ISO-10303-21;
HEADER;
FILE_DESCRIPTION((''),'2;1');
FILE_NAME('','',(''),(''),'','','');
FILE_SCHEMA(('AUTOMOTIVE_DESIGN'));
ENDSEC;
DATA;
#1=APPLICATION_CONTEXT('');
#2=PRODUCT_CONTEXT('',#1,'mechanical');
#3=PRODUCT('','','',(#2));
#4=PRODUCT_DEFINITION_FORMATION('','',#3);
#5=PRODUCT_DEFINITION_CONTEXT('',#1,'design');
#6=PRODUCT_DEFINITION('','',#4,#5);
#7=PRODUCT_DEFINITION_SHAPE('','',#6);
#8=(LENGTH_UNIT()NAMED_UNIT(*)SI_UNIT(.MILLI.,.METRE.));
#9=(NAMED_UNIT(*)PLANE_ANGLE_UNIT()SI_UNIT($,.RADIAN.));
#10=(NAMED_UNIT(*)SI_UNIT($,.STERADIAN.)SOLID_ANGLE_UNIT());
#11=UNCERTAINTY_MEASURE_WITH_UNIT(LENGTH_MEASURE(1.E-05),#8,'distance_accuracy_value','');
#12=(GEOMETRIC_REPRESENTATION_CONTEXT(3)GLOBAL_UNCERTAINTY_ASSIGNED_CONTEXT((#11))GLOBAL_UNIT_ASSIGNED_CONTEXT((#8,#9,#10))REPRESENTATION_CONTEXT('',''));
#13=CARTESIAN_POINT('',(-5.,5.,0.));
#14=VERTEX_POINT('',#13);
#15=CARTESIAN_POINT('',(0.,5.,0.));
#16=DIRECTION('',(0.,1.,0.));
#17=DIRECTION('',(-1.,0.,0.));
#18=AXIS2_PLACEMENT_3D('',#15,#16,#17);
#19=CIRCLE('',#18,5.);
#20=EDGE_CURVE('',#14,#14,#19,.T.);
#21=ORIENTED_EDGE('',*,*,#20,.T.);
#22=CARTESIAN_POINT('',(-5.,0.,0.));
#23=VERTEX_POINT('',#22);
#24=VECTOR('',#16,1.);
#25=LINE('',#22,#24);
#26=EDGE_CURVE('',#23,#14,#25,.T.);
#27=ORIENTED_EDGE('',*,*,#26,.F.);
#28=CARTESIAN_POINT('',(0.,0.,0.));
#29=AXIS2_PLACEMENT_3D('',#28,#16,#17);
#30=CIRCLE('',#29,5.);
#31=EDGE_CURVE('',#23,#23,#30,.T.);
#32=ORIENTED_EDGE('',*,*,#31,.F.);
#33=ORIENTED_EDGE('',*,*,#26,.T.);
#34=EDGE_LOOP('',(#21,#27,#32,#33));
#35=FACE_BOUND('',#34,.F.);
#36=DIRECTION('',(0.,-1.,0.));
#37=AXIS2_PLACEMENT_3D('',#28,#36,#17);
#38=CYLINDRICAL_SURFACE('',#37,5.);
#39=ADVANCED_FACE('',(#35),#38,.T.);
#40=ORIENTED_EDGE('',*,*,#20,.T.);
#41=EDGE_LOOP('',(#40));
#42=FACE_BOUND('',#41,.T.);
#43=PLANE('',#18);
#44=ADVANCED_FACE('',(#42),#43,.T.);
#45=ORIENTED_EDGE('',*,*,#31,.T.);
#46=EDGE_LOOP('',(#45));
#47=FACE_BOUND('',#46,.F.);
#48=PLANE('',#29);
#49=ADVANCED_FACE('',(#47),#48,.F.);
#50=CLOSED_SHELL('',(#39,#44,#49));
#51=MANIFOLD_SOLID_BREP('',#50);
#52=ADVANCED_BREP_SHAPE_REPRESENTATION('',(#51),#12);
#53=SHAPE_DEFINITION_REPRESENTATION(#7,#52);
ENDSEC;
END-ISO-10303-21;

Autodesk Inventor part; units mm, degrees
ref_plane "YZ Plane" through (0, 0, 0) normal (1, 0, 0) x (0, 1, 0)
ref_plane "XZ Plane" through (0, 0, 0) normal (0, 1, 0) x (-1, 0, 0)
ref_plane "XY Plane" through (0, 0, 0) normal (0, 0, 1) x (1, 0, 0)
sketch "Sketch1" plane through (0, 0, 0) normal (0, 1, 0) x (-1, 0, 0)
  circle A0 centre (0, 0) radius 5
  dimension "d0" = 10
extrude "Extrusion1" add sketch "Sketch1" along normal blind 5
properties part number "exercicio 3- peça5"
